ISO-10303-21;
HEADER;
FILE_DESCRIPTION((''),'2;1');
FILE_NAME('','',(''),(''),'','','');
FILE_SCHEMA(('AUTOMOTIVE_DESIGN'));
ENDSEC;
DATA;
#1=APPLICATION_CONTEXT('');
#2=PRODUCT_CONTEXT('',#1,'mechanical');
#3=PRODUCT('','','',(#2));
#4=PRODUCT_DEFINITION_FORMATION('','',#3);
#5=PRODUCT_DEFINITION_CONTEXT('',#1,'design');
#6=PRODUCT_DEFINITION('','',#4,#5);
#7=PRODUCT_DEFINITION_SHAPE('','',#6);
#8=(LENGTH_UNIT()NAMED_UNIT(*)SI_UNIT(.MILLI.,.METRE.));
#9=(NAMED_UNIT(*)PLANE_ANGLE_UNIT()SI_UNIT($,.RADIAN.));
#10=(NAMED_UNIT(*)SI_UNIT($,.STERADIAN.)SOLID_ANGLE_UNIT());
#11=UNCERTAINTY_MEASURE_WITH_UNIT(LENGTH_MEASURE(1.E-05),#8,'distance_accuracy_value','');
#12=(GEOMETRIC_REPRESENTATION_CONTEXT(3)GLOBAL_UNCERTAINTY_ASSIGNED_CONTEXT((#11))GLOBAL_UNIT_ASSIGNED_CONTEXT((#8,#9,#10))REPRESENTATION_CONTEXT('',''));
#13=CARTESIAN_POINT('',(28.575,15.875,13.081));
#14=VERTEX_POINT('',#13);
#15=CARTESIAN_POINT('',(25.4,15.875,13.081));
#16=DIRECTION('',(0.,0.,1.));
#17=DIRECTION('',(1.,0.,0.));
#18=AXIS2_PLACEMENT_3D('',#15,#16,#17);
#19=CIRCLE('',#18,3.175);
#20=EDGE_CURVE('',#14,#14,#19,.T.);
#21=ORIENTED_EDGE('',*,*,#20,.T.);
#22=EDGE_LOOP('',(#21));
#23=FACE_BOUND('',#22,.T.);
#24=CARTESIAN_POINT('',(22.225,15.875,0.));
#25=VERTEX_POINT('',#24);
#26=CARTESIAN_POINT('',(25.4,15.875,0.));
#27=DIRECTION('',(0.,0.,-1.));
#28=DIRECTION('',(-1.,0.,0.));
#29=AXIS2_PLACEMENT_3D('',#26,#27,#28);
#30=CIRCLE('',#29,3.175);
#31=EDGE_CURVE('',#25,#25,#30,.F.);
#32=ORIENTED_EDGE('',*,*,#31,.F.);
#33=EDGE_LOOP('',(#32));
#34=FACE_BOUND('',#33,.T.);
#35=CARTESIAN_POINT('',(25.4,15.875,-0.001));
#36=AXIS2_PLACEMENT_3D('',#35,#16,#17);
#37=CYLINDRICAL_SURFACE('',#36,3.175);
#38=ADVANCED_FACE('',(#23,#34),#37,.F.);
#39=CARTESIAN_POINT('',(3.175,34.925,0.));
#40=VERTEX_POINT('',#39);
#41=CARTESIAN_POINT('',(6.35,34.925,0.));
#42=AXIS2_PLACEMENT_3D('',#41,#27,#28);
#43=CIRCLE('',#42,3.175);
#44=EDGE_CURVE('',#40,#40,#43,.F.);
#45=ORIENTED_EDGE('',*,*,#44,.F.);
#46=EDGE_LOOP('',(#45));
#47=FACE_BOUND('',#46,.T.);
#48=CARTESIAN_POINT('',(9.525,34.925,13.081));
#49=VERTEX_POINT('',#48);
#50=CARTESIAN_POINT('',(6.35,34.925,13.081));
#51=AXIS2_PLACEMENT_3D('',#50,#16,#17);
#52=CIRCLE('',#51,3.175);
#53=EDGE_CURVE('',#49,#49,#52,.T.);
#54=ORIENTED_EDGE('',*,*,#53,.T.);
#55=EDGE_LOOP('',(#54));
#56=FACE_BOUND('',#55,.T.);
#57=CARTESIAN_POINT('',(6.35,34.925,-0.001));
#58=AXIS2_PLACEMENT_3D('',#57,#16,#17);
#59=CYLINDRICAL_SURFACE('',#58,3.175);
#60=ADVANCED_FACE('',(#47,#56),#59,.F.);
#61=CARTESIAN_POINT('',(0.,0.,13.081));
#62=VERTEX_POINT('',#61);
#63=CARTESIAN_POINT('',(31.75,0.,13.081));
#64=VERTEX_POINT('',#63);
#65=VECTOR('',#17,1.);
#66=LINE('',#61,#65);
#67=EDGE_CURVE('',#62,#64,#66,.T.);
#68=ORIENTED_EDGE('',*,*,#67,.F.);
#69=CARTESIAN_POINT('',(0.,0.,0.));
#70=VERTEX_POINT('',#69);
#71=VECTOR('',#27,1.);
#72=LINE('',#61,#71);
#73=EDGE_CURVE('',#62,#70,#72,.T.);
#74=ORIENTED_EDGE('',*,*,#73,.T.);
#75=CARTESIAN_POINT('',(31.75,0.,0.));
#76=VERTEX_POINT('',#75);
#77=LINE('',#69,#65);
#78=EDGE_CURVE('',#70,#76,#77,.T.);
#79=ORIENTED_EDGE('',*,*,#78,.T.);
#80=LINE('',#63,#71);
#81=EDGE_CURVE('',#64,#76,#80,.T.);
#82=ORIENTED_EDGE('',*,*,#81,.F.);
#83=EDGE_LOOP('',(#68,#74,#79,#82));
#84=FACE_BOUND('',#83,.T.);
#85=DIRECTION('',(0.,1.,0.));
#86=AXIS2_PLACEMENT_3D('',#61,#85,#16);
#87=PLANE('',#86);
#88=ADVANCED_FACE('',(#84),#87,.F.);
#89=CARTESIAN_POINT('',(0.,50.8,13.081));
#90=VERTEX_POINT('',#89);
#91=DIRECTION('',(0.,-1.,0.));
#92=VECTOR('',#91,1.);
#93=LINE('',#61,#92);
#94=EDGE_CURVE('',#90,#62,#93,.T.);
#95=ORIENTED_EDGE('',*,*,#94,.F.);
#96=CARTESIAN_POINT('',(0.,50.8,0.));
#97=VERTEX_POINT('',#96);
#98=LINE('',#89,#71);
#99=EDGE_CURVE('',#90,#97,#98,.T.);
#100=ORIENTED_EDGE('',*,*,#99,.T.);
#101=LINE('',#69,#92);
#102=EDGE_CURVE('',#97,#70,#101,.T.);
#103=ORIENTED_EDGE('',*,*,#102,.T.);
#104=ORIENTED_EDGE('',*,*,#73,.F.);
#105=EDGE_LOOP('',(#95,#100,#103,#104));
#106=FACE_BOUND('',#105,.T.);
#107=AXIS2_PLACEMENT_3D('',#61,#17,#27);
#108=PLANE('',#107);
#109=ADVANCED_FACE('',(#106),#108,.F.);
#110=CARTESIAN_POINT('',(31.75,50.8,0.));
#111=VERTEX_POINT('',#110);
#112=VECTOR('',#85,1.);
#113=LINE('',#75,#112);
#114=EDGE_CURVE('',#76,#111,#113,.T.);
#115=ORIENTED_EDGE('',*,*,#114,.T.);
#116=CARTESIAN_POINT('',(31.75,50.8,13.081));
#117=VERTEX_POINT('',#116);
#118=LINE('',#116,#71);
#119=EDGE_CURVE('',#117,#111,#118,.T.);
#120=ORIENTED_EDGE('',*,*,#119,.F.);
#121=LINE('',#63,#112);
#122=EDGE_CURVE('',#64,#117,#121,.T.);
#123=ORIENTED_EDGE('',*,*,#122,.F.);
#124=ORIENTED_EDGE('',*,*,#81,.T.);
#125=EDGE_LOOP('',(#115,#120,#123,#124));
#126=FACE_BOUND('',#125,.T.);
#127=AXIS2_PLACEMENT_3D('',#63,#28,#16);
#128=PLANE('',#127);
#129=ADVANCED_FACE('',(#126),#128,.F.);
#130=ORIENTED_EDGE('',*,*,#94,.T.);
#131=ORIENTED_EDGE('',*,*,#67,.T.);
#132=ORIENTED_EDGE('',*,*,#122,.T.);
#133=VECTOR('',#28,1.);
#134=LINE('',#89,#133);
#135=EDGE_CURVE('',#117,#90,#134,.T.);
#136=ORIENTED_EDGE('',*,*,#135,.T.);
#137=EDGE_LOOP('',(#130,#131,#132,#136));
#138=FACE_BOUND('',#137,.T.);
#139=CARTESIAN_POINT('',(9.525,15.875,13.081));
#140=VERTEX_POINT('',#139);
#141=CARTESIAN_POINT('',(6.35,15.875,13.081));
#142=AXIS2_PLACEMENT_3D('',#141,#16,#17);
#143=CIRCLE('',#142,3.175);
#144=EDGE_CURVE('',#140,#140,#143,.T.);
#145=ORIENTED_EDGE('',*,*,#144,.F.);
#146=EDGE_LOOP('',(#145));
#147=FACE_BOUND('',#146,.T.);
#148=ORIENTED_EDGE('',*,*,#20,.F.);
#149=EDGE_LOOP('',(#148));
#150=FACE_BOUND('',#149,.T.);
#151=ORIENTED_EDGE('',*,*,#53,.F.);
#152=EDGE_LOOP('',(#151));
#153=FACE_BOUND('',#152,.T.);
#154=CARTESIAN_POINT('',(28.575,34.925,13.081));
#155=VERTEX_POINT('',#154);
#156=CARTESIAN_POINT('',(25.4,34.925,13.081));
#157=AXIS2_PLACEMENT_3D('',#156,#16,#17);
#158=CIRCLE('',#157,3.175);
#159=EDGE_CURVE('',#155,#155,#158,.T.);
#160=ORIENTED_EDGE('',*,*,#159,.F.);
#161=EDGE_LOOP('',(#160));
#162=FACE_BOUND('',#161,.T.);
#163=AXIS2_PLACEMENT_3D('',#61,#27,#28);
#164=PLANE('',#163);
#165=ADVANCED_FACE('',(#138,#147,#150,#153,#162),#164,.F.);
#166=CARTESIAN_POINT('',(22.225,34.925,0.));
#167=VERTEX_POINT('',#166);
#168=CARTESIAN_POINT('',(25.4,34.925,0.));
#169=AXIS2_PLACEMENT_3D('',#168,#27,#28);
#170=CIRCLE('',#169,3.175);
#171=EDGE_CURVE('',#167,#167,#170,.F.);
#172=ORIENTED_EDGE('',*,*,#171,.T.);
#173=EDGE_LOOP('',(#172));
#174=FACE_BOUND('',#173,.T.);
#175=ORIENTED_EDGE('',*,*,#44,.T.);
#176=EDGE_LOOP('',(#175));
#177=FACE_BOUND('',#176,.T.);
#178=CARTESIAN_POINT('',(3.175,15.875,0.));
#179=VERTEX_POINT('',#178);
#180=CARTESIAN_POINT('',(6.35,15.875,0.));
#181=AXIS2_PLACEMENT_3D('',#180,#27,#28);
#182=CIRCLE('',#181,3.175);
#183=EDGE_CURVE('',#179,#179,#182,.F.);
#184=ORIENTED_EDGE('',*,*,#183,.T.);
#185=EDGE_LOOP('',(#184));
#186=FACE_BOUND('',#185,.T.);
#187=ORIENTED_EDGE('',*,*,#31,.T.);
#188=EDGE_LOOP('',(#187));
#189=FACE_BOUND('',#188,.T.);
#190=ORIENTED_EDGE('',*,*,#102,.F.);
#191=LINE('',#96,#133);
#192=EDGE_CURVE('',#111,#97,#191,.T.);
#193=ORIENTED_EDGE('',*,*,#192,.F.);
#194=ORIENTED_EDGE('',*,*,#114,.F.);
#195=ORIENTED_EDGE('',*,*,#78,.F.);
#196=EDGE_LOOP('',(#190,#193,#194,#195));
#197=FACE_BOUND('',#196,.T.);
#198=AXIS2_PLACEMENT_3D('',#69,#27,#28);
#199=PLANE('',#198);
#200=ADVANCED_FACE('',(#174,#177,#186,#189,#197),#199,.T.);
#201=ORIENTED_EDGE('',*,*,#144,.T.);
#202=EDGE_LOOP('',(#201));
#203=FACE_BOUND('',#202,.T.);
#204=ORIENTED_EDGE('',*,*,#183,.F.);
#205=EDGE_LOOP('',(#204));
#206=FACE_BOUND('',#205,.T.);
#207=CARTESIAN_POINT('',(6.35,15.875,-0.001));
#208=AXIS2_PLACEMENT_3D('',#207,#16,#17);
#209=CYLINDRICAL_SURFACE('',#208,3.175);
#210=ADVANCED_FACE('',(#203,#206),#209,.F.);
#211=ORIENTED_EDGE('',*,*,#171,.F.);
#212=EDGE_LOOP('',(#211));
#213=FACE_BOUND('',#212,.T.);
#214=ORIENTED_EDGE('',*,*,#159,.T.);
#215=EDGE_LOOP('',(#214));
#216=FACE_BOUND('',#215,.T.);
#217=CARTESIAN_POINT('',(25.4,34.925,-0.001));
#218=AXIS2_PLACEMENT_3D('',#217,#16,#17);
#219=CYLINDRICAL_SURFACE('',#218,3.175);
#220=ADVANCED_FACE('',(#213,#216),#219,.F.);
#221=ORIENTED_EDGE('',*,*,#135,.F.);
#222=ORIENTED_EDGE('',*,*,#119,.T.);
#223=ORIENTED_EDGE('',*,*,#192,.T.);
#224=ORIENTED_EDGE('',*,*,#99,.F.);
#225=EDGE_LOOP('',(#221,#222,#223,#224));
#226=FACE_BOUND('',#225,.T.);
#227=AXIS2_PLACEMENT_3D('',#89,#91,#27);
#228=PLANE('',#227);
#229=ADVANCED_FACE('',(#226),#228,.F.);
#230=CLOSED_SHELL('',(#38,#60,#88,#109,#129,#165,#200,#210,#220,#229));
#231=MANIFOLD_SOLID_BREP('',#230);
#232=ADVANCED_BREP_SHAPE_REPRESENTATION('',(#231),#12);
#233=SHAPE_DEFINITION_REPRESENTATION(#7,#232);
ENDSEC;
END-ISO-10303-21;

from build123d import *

# Parameters (mm, degrees)
SKETCH1_W           = 31.75
SKETCH1_H           = 50.8
BOSS_EXTRUDE1_DEPTH = 13.081
CUT_EXTRUDE1_REACH  = 15.081
SKETCH2_R           = 3.175


with BuildPart() as part:
    # Sketch1 → Boss-Extrude1 (new body)
    with BuildSketch(Plane.XY):
        with Locations((15.875, 25.4)):
            Rectangle(SKETCH1_W, SKETCH1_H)
    extrude(amount=BOSS_EXTRUDE1_DEPTH)

    # Sketch2 → Cut-Extrude1 (cut, up to next)
    with BuildSketch(Plane.XY.offset(13.081), mode=Mode.PRIVATE) as cut_extrude1_sk1:
        with Locations((25.4, 34.925)):
            Circle(SKETCH2_R)
    cut_extrude1_tool1 = extrude(cut_extrude1_sk1.sketch, amount=-CUT_EXTRUDE1_REACH, mode=Mode.PRIVATE) & part.part
    add(cut_extrude1_tool1.solids().sort_by_distance((25.4, 34.925, 13.081))[0], mode=Mode.SUBTRACT)
    # Sketch2 → Cut-Extrude1 (cut, up to next)
    with BuildSketch(Plane.XY.offset(13.081), mode=Mode.PRIVATE) as cut_extrude1_sk2:
        with Locations((6.35, 34.925)):
            Circle(SKETCH2_R)
    cut_extrude1_tool2 = extrude(cut_extrude1_sk2.sketch, amount=-CUT_EXTRUDE1_REACH, mode=Mode.PRIVATE) & part.part
    add(cut_extrude1_tool2.solids().sort_by_distance((6.35, 34.925, 13.081))[0], mode=Mode.SUBTRACT)
    # Sketch2 → Cut-Extrude1 (cut, up to next)
    with BuildSketch(Plane.XY.offset(13.081), mode=Mode.PRIVATE) as cut_extrude1_sk3:
        with Locations((6.35, 15.875)):
            Circle(SKETCH2_R)
    cut_extrude1_tool3 = extrude(cut_extrude1_sk3.sketch, amount=-CUT_EXTRUDE1_REACH, mode=Mode.PRIVATE) & part.part
    add(cut_extrude1_tool3.solids().sort_by_distance((6.35, 15.875, 13.081))[0], mode=Mode.SUBTRACT)
    # Sketch2 → Cut-Extrude1 (cut, up to next)
    with BuildSketch(Plane.XY.offset(13.081), mode=Mode.PRIVATE) as cut_extrude1_sk4:
        with Locations((25.4, 15.875)):
            Circle(SKETCH2_R)
    cut_extrude1_tool4 = extrude(cut_extrude1_sk4.sketch, amount=-CUT_EXTRUDE1_REACH, mode=Mode.PRIVATE) & part.part
    add(cut_extrude1_tool4.solids().sort_by_distance((25.4, 15.875, 13.081))[0], mode=Mode.SUBTRACT)


solid = part.part
